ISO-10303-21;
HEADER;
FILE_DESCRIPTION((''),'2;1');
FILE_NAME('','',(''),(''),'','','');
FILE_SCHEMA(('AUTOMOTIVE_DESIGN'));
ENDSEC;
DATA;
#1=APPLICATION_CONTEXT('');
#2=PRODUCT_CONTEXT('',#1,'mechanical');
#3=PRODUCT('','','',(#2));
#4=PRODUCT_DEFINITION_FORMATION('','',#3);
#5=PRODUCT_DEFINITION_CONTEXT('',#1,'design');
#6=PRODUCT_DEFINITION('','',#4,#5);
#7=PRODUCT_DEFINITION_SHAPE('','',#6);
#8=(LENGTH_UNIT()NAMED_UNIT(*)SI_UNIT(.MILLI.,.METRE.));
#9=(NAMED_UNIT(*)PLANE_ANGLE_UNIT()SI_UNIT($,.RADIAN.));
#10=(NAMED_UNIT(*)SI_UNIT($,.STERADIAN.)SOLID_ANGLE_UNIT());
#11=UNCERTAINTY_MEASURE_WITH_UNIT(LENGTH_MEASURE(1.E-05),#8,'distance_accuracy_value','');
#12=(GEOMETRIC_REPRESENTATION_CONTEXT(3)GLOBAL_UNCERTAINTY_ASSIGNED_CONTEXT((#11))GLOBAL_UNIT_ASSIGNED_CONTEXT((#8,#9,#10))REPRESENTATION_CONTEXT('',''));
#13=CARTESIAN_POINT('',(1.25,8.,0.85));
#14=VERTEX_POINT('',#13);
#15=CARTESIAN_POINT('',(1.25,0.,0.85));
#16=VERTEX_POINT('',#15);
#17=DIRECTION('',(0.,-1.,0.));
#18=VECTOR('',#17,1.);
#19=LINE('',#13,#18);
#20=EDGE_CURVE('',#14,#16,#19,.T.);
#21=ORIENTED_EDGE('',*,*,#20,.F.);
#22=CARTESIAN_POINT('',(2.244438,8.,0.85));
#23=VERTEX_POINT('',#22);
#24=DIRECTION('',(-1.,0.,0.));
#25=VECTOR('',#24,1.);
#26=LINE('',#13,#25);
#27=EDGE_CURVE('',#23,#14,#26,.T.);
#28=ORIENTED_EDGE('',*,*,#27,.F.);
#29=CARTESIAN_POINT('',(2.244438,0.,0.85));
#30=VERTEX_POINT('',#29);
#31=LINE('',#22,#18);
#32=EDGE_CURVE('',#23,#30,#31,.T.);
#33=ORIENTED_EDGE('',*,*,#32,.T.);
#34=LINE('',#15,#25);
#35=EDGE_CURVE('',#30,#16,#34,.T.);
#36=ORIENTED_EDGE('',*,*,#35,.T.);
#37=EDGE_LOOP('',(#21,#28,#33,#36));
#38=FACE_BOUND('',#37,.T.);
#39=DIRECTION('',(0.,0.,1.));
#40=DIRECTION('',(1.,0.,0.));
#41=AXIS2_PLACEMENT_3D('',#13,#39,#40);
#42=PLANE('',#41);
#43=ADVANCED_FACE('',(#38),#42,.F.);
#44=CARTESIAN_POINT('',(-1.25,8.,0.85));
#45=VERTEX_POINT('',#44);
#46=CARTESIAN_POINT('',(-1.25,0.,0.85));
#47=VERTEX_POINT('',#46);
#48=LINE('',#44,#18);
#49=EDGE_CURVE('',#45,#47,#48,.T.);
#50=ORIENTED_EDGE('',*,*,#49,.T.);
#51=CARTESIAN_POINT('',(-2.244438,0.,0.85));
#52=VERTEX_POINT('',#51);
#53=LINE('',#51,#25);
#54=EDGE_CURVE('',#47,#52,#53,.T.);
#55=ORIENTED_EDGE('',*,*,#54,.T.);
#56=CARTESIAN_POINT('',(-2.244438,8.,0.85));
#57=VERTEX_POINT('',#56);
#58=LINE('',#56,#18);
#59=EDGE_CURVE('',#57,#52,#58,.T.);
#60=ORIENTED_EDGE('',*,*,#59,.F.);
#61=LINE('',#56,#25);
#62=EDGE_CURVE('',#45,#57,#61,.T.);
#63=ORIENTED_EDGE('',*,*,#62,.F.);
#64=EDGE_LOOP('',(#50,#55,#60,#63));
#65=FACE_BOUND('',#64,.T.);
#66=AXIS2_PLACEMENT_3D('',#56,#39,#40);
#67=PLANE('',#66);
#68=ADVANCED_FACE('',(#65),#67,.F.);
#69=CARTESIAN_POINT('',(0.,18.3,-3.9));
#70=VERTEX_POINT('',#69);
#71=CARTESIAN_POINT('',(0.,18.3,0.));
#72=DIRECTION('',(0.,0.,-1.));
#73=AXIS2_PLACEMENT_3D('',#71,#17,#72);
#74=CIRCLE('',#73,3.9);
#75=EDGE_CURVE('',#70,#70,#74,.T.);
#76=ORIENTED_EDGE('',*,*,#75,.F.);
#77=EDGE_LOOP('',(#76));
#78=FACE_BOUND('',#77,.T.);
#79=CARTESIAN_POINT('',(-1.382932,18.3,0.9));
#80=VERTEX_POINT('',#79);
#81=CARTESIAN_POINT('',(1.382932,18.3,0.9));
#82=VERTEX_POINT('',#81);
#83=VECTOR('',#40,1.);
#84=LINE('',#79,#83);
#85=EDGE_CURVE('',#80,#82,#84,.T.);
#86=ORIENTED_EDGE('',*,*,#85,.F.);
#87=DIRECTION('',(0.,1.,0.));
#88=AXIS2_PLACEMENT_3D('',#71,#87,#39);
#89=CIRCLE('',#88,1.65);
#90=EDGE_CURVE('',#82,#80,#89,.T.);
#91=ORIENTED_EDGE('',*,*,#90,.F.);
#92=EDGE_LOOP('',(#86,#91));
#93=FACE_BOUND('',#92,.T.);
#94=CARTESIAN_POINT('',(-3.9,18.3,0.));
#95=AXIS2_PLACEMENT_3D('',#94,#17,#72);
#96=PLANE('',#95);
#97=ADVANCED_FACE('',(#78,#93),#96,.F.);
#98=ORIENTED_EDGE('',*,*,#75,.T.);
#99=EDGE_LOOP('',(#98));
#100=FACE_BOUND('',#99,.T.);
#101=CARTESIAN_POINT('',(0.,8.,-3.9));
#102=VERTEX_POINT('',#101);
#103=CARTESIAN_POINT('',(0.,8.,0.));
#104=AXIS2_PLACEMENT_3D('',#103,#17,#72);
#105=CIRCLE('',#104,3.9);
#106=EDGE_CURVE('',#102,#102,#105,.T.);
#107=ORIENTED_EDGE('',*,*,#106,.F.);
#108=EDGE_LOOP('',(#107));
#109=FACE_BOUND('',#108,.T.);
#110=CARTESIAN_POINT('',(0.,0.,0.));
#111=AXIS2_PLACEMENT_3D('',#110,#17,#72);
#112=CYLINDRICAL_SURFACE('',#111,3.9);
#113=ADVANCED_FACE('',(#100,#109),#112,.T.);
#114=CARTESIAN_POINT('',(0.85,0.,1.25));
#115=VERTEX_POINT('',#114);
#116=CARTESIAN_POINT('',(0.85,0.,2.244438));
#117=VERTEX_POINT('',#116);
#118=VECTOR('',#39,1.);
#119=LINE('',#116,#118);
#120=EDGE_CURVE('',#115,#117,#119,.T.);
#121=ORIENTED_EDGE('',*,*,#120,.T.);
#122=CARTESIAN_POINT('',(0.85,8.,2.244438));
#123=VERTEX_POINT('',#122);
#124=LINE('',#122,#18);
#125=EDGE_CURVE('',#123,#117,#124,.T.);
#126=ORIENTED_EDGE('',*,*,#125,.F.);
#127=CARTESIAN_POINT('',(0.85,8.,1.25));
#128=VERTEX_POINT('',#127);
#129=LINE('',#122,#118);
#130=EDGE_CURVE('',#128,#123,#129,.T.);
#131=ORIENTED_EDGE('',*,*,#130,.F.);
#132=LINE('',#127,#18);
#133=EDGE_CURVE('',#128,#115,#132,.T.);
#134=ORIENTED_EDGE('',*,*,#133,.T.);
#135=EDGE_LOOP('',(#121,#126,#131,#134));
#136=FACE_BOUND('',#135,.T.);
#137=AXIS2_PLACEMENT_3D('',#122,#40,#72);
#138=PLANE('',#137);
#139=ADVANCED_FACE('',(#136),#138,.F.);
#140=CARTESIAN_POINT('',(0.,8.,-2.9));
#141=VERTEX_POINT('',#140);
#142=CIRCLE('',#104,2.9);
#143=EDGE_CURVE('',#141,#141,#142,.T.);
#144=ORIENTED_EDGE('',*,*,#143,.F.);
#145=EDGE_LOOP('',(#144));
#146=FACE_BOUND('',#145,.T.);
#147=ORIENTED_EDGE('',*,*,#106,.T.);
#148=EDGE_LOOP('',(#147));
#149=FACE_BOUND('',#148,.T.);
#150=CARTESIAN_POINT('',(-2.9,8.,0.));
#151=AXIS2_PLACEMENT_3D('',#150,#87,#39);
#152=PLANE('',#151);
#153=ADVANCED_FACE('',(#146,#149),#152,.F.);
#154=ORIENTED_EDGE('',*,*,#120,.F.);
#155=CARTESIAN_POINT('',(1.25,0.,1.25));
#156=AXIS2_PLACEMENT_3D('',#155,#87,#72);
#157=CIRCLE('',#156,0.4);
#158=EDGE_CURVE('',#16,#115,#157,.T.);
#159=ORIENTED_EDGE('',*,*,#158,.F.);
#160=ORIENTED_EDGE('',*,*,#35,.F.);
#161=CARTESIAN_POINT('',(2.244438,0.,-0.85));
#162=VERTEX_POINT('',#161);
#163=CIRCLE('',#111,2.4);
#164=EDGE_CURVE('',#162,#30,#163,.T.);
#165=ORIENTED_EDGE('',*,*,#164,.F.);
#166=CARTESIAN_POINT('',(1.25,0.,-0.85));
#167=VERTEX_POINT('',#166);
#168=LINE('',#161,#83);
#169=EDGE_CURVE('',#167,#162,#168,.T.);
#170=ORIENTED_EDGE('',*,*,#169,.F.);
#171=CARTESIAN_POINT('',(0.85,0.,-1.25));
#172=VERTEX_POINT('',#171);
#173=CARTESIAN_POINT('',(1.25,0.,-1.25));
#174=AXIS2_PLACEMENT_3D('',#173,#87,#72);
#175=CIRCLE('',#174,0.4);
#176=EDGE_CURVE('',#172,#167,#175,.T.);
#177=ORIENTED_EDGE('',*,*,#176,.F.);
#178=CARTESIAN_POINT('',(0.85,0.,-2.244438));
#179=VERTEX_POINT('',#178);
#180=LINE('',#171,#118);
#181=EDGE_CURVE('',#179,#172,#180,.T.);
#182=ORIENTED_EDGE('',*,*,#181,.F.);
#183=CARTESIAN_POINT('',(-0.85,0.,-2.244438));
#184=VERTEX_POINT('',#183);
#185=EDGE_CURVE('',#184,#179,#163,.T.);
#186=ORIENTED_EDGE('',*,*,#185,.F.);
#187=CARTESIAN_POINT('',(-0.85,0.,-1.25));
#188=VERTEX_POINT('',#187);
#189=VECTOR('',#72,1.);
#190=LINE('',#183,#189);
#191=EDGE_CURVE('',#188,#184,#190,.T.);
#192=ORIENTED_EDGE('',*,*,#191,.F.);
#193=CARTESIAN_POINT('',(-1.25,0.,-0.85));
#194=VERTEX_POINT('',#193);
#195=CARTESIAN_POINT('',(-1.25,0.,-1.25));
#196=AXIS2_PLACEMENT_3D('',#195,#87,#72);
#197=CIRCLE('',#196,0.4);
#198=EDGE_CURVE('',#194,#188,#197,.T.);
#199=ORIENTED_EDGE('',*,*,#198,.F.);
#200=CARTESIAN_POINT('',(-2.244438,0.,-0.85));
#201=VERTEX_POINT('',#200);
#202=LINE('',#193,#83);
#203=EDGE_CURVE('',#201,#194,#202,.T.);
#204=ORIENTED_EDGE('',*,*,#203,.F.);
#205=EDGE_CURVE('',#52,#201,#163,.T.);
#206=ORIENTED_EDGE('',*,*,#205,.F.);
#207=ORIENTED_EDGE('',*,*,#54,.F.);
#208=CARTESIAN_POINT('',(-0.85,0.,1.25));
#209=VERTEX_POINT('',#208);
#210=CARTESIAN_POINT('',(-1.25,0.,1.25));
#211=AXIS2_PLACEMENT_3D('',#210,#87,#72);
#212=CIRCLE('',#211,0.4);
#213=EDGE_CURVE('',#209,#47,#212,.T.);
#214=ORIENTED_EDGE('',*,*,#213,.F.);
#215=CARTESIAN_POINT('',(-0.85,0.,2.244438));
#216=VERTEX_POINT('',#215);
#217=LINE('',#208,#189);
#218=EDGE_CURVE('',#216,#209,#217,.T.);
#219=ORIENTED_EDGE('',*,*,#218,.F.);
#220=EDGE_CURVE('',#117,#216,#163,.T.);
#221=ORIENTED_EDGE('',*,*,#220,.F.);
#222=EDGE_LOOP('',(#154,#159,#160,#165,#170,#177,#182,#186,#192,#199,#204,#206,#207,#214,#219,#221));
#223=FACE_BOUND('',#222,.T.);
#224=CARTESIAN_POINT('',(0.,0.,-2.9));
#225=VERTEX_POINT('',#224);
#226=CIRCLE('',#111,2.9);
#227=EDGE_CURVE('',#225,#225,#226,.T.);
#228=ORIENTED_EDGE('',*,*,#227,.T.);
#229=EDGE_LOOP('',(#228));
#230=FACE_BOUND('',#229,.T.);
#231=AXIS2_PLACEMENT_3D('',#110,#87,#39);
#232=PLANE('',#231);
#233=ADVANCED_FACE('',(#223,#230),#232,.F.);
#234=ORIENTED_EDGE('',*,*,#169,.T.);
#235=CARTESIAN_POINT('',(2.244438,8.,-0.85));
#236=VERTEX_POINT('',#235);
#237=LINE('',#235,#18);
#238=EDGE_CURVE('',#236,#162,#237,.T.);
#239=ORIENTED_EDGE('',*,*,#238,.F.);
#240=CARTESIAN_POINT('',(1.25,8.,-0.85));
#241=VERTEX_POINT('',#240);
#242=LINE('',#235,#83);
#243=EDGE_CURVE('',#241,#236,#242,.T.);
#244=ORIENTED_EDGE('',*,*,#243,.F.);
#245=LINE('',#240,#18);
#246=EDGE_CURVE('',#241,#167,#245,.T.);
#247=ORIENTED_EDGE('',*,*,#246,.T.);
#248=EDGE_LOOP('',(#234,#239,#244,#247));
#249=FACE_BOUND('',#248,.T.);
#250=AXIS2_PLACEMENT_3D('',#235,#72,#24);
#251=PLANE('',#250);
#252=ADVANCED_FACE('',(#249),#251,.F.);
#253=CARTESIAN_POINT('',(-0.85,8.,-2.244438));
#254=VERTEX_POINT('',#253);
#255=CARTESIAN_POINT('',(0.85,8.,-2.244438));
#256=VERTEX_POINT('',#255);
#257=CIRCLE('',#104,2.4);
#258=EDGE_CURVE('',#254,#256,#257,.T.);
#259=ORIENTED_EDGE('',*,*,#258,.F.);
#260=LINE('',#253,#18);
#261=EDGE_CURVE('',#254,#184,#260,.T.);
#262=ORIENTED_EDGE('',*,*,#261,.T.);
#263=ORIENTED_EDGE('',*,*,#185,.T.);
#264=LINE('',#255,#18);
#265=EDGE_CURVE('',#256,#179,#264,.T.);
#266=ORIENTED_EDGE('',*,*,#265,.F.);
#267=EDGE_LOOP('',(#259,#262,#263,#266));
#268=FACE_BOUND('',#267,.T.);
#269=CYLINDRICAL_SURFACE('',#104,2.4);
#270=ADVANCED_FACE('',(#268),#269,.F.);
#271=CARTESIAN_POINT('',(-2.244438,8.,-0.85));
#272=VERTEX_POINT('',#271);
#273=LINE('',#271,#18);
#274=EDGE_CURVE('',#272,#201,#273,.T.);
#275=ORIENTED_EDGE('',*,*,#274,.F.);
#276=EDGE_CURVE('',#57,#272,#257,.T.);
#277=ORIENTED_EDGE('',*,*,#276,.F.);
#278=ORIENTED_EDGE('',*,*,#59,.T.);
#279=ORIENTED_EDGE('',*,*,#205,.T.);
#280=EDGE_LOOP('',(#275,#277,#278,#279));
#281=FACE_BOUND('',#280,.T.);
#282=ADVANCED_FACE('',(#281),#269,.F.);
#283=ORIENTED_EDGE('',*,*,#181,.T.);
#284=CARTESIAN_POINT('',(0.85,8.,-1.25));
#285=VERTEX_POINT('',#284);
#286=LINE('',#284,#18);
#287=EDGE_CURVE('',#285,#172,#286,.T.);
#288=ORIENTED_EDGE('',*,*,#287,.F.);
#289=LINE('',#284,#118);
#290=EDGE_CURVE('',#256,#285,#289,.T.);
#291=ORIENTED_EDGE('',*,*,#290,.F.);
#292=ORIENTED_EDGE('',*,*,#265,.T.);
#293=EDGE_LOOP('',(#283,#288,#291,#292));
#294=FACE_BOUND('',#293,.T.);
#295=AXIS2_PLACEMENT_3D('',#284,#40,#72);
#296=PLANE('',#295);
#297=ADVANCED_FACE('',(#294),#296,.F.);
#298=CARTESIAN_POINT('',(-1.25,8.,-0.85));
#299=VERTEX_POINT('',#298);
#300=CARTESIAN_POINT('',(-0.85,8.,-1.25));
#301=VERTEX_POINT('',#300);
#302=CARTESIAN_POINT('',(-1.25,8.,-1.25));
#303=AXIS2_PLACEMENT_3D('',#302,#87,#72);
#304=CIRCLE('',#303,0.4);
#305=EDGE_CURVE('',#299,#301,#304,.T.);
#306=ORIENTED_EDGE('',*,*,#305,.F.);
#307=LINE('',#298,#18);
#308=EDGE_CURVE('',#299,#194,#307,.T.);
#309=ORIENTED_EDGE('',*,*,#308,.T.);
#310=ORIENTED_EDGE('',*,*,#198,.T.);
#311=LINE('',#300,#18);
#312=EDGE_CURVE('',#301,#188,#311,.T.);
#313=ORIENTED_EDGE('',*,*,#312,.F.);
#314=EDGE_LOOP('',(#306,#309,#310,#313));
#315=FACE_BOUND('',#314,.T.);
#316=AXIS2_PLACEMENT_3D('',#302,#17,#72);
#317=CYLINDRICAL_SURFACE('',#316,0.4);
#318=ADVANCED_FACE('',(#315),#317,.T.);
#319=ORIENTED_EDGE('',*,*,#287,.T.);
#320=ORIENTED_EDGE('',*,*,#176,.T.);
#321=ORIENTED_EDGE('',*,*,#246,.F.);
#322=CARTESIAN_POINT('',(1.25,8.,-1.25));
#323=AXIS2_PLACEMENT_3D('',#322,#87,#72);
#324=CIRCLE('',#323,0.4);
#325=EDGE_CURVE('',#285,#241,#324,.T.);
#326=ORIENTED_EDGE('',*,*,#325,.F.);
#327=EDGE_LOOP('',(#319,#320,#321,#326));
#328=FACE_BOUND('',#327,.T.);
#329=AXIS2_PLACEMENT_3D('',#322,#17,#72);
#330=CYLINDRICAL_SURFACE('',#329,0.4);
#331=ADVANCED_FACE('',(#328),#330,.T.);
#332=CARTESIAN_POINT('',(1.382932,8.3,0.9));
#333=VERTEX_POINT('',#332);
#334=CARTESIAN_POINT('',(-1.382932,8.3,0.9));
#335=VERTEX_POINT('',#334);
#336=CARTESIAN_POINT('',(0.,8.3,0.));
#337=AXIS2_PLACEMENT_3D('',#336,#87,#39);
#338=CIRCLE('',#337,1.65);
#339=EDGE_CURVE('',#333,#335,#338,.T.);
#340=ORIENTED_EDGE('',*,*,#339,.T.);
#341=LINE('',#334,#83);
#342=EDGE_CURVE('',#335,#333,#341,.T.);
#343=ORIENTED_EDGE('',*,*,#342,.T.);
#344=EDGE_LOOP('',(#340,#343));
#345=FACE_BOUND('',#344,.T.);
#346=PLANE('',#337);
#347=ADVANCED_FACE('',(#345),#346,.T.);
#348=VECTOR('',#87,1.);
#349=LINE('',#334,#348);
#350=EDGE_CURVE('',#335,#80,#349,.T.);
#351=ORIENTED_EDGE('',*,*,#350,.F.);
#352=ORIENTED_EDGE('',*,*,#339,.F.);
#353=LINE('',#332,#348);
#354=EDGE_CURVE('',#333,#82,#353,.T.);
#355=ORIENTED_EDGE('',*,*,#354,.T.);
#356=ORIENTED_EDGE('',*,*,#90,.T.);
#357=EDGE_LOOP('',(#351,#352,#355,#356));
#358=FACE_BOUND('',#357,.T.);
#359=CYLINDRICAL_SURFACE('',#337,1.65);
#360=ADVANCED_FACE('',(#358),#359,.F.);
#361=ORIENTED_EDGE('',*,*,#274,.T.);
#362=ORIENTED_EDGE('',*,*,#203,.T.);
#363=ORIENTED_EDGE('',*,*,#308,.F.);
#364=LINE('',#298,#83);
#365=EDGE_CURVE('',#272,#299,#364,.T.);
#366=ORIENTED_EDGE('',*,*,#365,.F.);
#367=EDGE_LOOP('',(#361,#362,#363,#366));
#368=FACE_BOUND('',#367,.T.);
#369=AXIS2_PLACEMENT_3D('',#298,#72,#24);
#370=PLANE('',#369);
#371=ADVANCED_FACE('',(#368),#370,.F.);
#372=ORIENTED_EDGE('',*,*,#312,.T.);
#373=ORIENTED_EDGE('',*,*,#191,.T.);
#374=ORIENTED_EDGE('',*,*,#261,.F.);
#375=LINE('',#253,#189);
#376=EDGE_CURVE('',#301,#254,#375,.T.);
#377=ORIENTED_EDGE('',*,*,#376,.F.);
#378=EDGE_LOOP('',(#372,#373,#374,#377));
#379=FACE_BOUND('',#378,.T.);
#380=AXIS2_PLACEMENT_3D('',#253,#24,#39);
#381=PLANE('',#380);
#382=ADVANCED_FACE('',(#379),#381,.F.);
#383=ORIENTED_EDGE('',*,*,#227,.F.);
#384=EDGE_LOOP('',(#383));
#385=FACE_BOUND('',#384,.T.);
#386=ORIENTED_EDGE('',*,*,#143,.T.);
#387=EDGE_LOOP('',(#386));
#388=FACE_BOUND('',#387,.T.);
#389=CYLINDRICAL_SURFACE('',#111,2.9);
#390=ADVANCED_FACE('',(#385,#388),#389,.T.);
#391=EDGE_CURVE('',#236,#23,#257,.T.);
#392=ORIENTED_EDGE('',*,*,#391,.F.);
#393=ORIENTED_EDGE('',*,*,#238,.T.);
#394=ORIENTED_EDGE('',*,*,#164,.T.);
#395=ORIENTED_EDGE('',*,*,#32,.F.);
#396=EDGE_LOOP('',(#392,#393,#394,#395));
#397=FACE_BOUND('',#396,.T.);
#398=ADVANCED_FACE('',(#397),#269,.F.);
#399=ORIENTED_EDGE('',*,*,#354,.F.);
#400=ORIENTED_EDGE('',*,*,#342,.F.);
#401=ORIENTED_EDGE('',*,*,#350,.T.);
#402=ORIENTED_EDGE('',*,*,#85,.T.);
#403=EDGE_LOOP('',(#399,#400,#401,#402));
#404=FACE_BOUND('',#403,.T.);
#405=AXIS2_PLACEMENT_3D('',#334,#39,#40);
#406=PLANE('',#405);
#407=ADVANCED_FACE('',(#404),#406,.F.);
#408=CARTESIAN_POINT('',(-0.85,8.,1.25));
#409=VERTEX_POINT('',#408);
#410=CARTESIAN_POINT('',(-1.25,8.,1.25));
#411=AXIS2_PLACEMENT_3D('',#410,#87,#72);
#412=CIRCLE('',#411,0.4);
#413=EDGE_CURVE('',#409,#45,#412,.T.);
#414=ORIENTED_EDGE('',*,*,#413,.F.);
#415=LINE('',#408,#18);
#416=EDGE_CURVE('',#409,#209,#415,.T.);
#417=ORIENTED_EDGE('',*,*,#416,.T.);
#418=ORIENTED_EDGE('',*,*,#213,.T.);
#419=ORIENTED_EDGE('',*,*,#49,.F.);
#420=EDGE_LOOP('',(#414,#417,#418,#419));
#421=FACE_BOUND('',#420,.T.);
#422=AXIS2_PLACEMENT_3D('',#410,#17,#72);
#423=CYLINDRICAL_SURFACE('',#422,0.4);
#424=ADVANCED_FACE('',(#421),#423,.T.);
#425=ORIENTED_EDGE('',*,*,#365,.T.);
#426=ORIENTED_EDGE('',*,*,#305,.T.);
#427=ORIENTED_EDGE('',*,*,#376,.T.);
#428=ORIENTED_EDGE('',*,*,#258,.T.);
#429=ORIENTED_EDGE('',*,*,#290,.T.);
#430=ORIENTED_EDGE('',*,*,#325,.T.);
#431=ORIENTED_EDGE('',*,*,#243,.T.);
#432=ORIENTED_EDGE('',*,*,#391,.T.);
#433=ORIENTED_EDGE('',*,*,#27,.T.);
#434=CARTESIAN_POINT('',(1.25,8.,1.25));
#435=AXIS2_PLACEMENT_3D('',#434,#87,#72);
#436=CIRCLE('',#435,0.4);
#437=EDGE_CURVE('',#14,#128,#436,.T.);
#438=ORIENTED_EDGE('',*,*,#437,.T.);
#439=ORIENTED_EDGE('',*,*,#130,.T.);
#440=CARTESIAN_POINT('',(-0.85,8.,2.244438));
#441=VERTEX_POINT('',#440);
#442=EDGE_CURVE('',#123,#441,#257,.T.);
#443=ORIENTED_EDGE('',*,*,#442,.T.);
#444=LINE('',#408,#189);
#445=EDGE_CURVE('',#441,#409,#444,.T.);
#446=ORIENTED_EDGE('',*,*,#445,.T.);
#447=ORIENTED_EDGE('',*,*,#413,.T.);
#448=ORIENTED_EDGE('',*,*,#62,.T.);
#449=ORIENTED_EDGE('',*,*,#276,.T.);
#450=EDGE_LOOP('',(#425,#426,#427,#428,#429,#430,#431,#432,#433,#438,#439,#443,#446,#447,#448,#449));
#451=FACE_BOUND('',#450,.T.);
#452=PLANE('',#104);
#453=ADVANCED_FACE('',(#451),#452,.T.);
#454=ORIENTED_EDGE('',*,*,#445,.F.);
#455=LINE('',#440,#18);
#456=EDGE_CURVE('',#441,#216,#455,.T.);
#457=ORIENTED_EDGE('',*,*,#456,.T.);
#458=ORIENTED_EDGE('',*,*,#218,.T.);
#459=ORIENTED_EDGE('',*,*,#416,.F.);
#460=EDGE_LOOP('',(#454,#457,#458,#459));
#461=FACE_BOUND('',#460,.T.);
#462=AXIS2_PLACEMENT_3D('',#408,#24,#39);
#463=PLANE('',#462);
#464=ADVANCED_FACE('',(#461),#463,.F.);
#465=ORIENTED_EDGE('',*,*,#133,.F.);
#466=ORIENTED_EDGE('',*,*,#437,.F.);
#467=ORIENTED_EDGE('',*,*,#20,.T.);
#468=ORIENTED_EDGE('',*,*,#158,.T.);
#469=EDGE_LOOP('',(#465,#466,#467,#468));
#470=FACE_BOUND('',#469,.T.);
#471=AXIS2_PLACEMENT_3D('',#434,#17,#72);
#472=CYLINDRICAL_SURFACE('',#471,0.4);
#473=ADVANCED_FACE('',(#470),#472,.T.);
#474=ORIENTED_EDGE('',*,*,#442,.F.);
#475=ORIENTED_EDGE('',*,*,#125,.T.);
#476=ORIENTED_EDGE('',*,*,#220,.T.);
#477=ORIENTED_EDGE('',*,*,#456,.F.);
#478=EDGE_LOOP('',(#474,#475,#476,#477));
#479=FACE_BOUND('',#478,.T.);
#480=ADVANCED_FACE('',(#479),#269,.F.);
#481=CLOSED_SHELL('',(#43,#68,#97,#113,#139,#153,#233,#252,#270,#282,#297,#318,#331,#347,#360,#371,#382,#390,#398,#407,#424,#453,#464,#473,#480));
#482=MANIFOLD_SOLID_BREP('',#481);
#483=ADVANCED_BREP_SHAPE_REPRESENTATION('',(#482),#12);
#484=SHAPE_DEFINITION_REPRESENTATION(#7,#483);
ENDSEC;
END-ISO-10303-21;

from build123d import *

# Parameters (mm, degrees)
SCHNITT_LINEAR_AUSTRAGEN1_DEPTH = 8
SCHNITT_LINEAR_AUSTRAGEN2_DEPTH = 10


with BuildPart() as part:
    # Skizze1 → Rotation1 (revolve)
    with BuildSketch(Plane.XY, mode=Mode.PRIVATE) as rotation1_sk:
        Polygon((0, 0), (-2.9, 0), (-2.9, 8), (-3.9, 8), (-3.9, 18.3), (0, 18.3), align=None)
    revolve(rotation1_sk.sketch.rotate(Axis((0, 0, 0), (0, 1, 0)), 270), axis=Axis((0, 0, 0), (0, 1, 0)))

    # Skizze3 → Schnitt-Linear austragen1 (cut)
    with BuildSketch(Plane.XZ):
        with BuildLine():
            Line((0.85, 2.244437569), (0.85, 1.25))
            ThreePointArc((0.85, 1.25), (0.967157288, 0.967157288), (1.25, 0.85))
            Line((1.25, 0.85), (2.244437569, 0.85))
            ThreePointArc((2.244437569, 0.85), (2.36078908, 0.432058928), (2.4, 0))
            ThreePointArc((2.4, 0), (2.36078908, -0.432058928), (2.244437569, -0.85))
            Line((2.244437569, -0.85), (1.25, -0.85))
            ThreePointArc((1.25, -0.85), (0.967157288, -0.967157288), (0.85, -1.25))
            Line((0.85, -1.25), (0.85, -2.244437569))
            ThreePointArc((0.85, -2.244437569), (0.432058928, -2.36078908), (0, -2.4))
            ThreePointArc((0, -2.4), (-0.432058928, -2.36078908), (-0.85, -2.244437569))
            Line((-0.85, -2.244437569), (-0.85, -1.25))
            ThreePointArc((-0.85, -1.25), (-0.967157288, -0.967157288), (-1.25, -0.85))
            Line((-1.25, -0.85), (-2.244437569, -0.85))
            ThreePointArc((-2.244437569, -0.85), (-2.36078908, -0.432058928), (-2.4, 0))
            ThreePointArc((-2.4, 0), (-2.36078908, 0.432058928), (-2.244437569, 0.85))
            Line((-2.244437569, 0.85), (-1.25, 0.85))
            ThreePointArc((-1.25, 0.85), (-0.967157288, 0.967157288), (-0.85, 1.25))
            Line((-0.85, 1.25), (-0.85, 2.244437569))
            ThreePointArc((-0.85, 2.244437569), (-0.432058928, 2.36078908), (0, 2.4))
            ThreePointArc((0, 2.4), (0.432058928, 2.36078908), (0.85, 2.244437569))
        make_face()
    extrude(amount=-SCHNITT_LINEAR_AUSTRAGEN1_DEPTH, mode=Mode.SUBTRACT)

    # Skizze4 → Schnitt-Linear austragen2 (cut)
    with BuildSketch(Plane(origin=(0, 18.3, 0), x_dir=(1, 0, 0), z_dir=(0, 1, 0))):
        with BuildLine():
            Line((-1.382931669, -0.9), (1.382931669, -0.9))
            ThreePointArc((1.382931669, -0.9), (0, 1.65), (-1.382931669, -0.9))
        make_face()
    extrude(amount=-SCHNITT_LINEAR_AUSTRAGEN2_DEPTH, mode=Mode.SUBTRACT)


solid = part.part
